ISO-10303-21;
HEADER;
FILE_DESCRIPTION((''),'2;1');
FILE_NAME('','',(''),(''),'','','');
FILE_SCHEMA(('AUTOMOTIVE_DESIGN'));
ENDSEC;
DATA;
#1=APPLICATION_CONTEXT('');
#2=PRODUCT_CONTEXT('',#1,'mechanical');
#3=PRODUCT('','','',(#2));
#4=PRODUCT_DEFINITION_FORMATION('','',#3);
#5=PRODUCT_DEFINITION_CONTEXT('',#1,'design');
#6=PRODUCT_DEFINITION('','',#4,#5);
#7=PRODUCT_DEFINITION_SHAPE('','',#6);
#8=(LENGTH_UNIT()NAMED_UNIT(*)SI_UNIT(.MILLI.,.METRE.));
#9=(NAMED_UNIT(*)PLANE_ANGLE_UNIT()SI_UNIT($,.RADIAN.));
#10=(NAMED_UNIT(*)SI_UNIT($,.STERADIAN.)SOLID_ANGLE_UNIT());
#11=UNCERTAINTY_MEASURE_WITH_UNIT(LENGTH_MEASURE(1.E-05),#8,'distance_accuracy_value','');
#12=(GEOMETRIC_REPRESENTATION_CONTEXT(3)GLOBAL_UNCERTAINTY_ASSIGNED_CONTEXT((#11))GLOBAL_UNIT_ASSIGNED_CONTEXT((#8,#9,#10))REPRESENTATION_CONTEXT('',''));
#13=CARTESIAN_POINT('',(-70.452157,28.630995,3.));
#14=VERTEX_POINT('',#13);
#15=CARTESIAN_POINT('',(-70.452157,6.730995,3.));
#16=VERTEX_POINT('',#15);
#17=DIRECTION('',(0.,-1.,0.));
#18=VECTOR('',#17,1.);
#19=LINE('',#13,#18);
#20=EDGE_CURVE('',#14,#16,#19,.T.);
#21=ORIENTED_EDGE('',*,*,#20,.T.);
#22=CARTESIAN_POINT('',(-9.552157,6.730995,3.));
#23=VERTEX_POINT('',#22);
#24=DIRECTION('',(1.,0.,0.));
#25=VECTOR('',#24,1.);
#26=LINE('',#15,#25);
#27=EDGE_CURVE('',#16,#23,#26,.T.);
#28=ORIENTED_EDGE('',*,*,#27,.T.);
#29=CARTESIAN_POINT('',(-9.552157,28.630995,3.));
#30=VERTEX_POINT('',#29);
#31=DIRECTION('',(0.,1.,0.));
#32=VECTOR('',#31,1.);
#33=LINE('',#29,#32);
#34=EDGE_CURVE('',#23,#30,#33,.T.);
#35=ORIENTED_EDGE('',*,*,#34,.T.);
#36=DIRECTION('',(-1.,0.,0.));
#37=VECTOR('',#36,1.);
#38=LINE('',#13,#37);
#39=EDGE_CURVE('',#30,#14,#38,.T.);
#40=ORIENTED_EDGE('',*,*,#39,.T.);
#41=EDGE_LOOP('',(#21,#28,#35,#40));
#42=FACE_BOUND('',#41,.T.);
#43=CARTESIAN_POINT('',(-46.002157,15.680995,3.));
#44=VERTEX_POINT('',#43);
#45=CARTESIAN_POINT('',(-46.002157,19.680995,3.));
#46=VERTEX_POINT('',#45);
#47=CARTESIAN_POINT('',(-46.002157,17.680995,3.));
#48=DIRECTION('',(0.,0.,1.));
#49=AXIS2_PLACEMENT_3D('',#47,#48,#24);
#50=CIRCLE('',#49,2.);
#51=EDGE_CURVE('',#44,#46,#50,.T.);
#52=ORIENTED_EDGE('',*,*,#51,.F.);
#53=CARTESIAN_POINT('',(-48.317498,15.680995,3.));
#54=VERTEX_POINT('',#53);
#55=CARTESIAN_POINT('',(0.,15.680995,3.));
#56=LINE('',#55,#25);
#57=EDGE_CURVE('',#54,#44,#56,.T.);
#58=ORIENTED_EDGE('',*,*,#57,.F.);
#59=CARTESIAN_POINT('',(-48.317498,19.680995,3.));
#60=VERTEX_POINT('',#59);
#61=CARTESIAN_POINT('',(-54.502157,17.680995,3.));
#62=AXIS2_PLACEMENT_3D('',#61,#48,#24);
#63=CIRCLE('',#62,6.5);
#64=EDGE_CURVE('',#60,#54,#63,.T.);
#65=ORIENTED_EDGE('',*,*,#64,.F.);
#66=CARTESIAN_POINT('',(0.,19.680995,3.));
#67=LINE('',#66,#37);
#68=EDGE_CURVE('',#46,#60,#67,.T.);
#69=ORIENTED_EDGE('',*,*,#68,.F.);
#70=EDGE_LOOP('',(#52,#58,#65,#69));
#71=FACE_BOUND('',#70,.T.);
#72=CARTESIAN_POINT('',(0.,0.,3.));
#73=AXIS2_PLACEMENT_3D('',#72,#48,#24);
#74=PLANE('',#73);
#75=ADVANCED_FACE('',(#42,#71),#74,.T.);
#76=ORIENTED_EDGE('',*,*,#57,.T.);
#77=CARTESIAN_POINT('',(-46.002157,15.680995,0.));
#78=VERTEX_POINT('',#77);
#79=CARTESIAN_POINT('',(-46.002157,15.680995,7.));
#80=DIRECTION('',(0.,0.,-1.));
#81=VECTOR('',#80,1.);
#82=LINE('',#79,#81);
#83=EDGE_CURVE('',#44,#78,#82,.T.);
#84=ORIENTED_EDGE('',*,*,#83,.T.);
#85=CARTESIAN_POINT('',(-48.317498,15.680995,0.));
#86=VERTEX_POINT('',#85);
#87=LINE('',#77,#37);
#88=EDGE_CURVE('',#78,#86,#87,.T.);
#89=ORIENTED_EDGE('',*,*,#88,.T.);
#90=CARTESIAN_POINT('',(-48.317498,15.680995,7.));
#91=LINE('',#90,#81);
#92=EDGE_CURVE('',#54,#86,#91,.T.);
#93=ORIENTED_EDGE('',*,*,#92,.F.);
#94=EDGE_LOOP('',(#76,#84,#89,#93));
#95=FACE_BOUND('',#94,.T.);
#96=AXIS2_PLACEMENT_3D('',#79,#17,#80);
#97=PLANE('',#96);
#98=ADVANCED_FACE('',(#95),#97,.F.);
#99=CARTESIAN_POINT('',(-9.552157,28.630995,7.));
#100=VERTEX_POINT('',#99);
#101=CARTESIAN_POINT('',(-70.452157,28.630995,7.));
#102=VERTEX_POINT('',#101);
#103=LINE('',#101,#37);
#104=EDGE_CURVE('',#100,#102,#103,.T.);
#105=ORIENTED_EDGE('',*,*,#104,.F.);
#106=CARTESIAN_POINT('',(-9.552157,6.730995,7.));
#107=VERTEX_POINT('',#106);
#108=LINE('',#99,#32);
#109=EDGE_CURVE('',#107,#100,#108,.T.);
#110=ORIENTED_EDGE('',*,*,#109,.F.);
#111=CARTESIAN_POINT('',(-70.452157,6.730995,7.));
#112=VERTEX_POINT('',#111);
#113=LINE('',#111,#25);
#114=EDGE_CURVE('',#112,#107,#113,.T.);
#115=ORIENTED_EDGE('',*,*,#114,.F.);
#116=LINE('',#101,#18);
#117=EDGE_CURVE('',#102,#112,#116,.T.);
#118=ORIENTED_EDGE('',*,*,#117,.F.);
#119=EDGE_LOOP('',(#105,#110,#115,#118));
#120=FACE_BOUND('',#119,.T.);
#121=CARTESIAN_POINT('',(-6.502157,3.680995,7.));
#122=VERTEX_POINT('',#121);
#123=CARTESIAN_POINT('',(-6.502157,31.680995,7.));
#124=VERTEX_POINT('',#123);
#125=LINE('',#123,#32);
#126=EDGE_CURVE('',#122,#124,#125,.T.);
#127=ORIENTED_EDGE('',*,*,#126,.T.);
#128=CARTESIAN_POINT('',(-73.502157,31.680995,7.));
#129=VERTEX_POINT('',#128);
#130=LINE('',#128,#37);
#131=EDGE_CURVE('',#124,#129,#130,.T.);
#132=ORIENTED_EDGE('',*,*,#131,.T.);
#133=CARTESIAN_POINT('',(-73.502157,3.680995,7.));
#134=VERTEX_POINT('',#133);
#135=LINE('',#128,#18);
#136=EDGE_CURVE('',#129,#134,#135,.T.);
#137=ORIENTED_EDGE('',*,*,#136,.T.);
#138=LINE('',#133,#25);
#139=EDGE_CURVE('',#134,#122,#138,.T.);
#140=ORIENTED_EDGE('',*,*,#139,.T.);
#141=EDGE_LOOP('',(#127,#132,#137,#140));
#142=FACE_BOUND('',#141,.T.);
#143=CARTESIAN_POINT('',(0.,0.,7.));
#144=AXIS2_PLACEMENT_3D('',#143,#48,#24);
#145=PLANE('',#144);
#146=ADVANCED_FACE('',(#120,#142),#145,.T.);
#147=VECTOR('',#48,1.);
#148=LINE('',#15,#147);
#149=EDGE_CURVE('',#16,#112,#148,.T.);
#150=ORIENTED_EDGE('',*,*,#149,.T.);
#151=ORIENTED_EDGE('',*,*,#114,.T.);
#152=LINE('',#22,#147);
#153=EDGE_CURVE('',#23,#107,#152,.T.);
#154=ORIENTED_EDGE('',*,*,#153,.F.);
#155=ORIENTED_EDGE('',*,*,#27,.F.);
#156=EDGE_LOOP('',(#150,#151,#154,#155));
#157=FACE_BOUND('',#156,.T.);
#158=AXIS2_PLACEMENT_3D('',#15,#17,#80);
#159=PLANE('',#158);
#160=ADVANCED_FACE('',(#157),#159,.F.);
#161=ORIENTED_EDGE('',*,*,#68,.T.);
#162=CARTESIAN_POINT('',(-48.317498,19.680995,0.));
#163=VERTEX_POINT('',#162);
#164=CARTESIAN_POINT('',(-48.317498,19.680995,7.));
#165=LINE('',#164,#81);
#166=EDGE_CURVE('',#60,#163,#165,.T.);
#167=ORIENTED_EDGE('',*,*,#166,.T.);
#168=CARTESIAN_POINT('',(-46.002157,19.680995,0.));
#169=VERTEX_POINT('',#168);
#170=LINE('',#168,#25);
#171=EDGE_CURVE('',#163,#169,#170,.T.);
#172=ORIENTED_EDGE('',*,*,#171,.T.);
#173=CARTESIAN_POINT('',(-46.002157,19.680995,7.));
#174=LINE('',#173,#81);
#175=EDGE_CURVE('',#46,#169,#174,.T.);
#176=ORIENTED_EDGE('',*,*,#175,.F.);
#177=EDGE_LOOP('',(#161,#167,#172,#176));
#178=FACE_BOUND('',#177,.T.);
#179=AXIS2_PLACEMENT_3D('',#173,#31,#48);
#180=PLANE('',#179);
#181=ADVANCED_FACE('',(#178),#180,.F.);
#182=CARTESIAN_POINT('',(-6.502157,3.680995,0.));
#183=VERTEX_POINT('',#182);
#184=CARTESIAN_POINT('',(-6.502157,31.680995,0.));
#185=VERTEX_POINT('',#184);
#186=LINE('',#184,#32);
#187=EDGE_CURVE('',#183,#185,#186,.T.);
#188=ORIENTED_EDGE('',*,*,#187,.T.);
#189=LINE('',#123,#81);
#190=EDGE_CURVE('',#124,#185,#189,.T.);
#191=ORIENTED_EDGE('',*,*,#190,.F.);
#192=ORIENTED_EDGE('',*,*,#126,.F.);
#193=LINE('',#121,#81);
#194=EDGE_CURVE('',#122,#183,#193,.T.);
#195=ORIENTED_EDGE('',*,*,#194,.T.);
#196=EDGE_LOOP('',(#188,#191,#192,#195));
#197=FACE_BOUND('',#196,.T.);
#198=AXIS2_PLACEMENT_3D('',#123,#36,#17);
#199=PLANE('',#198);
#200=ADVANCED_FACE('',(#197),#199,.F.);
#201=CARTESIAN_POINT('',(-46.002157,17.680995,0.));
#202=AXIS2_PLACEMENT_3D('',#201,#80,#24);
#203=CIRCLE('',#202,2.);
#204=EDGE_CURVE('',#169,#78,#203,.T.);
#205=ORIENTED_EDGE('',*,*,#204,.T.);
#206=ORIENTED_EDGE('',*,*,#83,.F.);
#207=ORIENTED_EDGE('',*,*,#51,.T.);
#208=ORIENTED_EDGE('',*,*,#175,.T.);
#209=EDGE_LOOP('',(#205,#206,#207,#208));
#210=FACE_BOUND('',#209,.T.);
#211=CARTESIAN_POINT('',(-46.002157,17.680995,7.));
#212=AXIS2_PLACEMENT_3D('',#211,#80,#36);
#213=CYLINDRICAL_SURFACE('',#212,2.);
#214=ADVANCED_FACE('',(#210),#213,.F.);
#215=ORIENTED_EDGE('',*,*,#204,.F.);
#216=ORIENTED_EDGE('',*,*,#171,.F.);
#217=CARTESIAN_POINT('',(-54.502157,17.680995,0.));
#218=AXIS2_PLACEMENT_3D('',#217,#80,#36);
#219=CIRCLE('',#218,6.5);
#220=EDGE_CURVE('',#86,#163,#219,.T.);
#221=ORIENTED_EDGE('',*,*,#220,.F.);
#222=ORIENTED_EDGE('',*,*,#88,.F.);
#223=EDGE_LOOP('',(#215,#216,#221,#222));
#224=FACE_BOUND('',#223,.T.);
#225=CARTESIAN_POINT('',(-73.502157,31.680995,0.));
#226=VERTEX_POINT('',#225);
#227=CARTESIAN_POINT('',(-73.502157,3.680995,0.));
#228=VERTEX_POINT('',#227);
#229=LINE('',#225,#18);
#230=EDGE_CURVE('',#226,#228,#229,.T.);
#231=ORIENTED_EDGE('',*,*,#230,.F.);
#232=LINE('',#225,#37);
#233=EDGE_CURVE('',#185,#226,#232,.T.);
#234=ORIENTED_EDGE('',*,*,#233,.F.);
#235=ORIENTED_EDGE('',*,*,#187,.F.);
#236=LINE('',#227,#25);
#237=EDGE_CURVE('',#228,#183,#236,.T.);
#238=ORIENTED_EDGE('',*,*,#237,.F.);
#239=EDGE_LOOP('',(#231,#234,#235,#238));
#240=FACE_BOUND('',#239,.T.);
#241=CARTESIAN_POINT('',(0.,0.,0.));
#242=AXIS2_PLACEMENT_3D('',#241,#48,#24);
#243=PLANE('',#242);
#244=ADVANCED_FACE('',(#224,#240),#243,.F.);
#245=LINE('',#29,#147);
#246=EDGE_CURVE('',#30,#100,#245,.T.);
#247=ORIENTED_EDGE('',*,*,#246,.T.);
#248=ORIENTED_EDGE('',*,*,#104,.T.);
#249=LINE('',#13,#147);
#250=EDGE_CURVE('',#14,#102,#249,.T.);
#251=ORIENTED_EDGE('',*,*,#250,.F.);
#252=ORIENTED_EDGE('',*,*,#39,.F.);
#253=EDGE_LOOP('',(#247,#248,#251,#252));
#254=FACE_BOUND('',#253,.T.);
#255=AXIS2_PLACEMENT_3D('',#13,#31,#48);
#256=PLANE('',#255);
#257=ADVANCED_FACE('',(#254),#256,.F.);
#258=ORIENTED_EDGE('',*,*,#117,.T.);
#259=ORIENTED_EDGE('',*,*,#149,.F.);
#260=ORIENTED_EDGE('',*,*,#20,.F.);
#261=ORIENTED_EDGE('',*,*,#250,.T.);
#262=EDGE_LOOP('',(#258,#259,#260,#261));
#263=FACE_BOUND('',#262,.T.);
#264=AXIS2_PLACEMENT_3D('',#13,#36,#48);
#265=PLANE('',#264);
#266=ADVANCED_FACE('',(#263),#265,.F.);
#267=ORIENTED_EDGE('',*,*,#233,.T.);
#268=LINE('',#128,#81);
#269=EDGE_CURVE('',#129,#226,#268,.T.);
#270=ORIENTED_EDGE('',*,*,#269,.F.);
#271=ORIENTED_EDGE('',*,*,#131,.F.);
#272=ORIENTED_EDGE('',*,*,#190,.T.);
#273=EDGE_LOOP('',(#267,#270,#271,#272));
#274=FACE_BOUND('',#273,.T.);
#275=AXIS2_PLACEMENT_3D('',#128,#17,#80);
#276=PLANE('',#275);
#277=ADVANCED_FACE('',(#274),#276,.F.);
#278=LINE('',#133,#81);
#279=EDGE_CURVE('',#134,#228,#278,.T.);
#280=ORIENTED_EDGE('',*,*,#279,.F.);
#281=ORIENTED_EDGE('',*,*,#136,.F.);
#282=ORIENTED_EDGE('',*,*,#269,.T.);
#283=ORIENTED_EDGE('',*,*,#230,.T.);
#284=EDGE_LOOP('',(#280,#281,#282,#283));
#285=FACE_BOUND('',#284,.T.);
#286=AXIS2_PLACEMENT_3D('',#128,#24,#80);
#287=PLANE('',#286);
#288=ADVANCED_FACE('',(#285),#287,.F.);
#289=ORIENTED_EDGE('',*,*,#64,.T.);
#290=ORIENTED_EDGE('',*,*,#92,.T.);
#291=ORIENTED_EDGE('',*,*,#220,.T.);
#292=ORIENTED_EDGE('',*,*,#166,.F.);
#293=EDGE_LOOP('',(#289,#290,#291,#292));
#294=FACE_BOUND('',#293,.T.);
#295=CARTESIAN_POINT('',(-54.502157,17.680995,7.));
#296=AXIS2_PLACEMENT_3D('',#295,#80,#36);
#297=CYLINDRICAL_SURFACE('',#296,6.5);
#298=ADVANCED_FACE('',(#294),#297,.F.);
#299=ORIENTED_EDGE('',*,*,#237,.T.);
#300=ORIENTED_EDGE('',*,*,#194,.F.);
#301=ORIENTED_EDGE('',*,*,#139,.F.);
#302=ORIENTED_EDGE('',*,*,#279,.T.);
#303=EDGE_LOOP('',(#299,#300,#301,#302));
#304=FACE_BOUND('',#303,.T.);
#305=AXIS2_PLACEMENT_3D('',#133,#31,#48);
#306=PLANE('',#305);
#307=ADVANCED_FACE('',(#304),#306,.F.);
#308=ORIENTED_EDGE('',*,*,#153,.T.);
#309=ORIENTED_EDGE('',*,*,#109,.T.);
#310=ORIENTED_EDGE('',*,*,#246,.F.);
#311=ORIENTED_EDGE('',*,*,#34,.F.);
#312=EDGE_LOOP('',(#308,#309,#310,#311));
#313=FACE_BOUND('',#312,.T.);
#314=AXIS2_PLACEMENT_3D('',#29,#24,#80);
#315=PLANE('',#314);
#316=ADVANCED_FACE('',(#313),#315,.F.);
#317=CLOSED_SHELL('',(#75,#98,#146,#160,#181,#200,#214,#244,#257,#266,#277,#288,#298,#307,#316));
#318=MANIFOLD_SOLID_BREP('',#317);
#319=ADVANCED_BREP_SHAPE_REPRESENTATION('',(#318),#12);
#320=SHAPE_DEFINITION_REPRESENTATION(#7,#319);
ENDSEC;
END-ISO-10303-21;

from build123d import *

# Parameters (mm, degrees)
CROQUIS1_W              = 67
CROQUIS1_H              = 28
SALIENTE_EXTRUIR1_DEPTH = 7
CROQUIS2_W              = 60.9
CROQUIS2_H              = 21.9
CORTAR_EXTRUIR1_DEPTH   = 4
CORTAR_EXTRUIR5_DEPTH   = 3


with BuildPart() as part:
    # Croquis1 → Saliente-Extruir1 (new body)
    with BuildSketch(Plane.XY):
        with Locations((-40.002156686, 17.680995475)):
            Rectangle(CROQUIS1_W, CROQUIS1_H)
    extrude(amount=SALIENTE_EXTRUIR1_DEPTH)

    # Croquis2 → Cortar-Extruir1 (cut)
    with BuildSketch(Plane.XY.offset(7)):
        with Locations((-40.002156686, 17.680995475)):
            Rectangle(CROQUIS2_W, CROQUIS2_H)
    extrude(amount=-CORTAR_EXTRUIR1_DEPTH, mode=Mode.SUBTRACT)

    # Croquis6 → Cortar-Extruir5 (cut)
    with BuildSketch(Plane(origin=(0, 0, 0), x_dir=(-1, 0, 0), z_dir=(0, 0, -1))):
        with BuildLine():
            Line((46.002156686, 15.680995475), (48.317498248, 15.680995475))
            ThreePointArc((48.317498248, 15.680995475), (61.002156686, 17.680995475), (48.317498248, 19.680995475))
            Line((48.317498248, 19.680995475), (46.002156686, 19.680995475))
            ThreePointArc((46.002156686, 19.680995475), (44.002156686, 17.680995475), (46.002156686, 15.680995475))
        make_face()
    extrude(amount=-CORTAR_EXTRUIR5_DEPTH, mode=Mode.SUBTRACT)


solid = part.part
